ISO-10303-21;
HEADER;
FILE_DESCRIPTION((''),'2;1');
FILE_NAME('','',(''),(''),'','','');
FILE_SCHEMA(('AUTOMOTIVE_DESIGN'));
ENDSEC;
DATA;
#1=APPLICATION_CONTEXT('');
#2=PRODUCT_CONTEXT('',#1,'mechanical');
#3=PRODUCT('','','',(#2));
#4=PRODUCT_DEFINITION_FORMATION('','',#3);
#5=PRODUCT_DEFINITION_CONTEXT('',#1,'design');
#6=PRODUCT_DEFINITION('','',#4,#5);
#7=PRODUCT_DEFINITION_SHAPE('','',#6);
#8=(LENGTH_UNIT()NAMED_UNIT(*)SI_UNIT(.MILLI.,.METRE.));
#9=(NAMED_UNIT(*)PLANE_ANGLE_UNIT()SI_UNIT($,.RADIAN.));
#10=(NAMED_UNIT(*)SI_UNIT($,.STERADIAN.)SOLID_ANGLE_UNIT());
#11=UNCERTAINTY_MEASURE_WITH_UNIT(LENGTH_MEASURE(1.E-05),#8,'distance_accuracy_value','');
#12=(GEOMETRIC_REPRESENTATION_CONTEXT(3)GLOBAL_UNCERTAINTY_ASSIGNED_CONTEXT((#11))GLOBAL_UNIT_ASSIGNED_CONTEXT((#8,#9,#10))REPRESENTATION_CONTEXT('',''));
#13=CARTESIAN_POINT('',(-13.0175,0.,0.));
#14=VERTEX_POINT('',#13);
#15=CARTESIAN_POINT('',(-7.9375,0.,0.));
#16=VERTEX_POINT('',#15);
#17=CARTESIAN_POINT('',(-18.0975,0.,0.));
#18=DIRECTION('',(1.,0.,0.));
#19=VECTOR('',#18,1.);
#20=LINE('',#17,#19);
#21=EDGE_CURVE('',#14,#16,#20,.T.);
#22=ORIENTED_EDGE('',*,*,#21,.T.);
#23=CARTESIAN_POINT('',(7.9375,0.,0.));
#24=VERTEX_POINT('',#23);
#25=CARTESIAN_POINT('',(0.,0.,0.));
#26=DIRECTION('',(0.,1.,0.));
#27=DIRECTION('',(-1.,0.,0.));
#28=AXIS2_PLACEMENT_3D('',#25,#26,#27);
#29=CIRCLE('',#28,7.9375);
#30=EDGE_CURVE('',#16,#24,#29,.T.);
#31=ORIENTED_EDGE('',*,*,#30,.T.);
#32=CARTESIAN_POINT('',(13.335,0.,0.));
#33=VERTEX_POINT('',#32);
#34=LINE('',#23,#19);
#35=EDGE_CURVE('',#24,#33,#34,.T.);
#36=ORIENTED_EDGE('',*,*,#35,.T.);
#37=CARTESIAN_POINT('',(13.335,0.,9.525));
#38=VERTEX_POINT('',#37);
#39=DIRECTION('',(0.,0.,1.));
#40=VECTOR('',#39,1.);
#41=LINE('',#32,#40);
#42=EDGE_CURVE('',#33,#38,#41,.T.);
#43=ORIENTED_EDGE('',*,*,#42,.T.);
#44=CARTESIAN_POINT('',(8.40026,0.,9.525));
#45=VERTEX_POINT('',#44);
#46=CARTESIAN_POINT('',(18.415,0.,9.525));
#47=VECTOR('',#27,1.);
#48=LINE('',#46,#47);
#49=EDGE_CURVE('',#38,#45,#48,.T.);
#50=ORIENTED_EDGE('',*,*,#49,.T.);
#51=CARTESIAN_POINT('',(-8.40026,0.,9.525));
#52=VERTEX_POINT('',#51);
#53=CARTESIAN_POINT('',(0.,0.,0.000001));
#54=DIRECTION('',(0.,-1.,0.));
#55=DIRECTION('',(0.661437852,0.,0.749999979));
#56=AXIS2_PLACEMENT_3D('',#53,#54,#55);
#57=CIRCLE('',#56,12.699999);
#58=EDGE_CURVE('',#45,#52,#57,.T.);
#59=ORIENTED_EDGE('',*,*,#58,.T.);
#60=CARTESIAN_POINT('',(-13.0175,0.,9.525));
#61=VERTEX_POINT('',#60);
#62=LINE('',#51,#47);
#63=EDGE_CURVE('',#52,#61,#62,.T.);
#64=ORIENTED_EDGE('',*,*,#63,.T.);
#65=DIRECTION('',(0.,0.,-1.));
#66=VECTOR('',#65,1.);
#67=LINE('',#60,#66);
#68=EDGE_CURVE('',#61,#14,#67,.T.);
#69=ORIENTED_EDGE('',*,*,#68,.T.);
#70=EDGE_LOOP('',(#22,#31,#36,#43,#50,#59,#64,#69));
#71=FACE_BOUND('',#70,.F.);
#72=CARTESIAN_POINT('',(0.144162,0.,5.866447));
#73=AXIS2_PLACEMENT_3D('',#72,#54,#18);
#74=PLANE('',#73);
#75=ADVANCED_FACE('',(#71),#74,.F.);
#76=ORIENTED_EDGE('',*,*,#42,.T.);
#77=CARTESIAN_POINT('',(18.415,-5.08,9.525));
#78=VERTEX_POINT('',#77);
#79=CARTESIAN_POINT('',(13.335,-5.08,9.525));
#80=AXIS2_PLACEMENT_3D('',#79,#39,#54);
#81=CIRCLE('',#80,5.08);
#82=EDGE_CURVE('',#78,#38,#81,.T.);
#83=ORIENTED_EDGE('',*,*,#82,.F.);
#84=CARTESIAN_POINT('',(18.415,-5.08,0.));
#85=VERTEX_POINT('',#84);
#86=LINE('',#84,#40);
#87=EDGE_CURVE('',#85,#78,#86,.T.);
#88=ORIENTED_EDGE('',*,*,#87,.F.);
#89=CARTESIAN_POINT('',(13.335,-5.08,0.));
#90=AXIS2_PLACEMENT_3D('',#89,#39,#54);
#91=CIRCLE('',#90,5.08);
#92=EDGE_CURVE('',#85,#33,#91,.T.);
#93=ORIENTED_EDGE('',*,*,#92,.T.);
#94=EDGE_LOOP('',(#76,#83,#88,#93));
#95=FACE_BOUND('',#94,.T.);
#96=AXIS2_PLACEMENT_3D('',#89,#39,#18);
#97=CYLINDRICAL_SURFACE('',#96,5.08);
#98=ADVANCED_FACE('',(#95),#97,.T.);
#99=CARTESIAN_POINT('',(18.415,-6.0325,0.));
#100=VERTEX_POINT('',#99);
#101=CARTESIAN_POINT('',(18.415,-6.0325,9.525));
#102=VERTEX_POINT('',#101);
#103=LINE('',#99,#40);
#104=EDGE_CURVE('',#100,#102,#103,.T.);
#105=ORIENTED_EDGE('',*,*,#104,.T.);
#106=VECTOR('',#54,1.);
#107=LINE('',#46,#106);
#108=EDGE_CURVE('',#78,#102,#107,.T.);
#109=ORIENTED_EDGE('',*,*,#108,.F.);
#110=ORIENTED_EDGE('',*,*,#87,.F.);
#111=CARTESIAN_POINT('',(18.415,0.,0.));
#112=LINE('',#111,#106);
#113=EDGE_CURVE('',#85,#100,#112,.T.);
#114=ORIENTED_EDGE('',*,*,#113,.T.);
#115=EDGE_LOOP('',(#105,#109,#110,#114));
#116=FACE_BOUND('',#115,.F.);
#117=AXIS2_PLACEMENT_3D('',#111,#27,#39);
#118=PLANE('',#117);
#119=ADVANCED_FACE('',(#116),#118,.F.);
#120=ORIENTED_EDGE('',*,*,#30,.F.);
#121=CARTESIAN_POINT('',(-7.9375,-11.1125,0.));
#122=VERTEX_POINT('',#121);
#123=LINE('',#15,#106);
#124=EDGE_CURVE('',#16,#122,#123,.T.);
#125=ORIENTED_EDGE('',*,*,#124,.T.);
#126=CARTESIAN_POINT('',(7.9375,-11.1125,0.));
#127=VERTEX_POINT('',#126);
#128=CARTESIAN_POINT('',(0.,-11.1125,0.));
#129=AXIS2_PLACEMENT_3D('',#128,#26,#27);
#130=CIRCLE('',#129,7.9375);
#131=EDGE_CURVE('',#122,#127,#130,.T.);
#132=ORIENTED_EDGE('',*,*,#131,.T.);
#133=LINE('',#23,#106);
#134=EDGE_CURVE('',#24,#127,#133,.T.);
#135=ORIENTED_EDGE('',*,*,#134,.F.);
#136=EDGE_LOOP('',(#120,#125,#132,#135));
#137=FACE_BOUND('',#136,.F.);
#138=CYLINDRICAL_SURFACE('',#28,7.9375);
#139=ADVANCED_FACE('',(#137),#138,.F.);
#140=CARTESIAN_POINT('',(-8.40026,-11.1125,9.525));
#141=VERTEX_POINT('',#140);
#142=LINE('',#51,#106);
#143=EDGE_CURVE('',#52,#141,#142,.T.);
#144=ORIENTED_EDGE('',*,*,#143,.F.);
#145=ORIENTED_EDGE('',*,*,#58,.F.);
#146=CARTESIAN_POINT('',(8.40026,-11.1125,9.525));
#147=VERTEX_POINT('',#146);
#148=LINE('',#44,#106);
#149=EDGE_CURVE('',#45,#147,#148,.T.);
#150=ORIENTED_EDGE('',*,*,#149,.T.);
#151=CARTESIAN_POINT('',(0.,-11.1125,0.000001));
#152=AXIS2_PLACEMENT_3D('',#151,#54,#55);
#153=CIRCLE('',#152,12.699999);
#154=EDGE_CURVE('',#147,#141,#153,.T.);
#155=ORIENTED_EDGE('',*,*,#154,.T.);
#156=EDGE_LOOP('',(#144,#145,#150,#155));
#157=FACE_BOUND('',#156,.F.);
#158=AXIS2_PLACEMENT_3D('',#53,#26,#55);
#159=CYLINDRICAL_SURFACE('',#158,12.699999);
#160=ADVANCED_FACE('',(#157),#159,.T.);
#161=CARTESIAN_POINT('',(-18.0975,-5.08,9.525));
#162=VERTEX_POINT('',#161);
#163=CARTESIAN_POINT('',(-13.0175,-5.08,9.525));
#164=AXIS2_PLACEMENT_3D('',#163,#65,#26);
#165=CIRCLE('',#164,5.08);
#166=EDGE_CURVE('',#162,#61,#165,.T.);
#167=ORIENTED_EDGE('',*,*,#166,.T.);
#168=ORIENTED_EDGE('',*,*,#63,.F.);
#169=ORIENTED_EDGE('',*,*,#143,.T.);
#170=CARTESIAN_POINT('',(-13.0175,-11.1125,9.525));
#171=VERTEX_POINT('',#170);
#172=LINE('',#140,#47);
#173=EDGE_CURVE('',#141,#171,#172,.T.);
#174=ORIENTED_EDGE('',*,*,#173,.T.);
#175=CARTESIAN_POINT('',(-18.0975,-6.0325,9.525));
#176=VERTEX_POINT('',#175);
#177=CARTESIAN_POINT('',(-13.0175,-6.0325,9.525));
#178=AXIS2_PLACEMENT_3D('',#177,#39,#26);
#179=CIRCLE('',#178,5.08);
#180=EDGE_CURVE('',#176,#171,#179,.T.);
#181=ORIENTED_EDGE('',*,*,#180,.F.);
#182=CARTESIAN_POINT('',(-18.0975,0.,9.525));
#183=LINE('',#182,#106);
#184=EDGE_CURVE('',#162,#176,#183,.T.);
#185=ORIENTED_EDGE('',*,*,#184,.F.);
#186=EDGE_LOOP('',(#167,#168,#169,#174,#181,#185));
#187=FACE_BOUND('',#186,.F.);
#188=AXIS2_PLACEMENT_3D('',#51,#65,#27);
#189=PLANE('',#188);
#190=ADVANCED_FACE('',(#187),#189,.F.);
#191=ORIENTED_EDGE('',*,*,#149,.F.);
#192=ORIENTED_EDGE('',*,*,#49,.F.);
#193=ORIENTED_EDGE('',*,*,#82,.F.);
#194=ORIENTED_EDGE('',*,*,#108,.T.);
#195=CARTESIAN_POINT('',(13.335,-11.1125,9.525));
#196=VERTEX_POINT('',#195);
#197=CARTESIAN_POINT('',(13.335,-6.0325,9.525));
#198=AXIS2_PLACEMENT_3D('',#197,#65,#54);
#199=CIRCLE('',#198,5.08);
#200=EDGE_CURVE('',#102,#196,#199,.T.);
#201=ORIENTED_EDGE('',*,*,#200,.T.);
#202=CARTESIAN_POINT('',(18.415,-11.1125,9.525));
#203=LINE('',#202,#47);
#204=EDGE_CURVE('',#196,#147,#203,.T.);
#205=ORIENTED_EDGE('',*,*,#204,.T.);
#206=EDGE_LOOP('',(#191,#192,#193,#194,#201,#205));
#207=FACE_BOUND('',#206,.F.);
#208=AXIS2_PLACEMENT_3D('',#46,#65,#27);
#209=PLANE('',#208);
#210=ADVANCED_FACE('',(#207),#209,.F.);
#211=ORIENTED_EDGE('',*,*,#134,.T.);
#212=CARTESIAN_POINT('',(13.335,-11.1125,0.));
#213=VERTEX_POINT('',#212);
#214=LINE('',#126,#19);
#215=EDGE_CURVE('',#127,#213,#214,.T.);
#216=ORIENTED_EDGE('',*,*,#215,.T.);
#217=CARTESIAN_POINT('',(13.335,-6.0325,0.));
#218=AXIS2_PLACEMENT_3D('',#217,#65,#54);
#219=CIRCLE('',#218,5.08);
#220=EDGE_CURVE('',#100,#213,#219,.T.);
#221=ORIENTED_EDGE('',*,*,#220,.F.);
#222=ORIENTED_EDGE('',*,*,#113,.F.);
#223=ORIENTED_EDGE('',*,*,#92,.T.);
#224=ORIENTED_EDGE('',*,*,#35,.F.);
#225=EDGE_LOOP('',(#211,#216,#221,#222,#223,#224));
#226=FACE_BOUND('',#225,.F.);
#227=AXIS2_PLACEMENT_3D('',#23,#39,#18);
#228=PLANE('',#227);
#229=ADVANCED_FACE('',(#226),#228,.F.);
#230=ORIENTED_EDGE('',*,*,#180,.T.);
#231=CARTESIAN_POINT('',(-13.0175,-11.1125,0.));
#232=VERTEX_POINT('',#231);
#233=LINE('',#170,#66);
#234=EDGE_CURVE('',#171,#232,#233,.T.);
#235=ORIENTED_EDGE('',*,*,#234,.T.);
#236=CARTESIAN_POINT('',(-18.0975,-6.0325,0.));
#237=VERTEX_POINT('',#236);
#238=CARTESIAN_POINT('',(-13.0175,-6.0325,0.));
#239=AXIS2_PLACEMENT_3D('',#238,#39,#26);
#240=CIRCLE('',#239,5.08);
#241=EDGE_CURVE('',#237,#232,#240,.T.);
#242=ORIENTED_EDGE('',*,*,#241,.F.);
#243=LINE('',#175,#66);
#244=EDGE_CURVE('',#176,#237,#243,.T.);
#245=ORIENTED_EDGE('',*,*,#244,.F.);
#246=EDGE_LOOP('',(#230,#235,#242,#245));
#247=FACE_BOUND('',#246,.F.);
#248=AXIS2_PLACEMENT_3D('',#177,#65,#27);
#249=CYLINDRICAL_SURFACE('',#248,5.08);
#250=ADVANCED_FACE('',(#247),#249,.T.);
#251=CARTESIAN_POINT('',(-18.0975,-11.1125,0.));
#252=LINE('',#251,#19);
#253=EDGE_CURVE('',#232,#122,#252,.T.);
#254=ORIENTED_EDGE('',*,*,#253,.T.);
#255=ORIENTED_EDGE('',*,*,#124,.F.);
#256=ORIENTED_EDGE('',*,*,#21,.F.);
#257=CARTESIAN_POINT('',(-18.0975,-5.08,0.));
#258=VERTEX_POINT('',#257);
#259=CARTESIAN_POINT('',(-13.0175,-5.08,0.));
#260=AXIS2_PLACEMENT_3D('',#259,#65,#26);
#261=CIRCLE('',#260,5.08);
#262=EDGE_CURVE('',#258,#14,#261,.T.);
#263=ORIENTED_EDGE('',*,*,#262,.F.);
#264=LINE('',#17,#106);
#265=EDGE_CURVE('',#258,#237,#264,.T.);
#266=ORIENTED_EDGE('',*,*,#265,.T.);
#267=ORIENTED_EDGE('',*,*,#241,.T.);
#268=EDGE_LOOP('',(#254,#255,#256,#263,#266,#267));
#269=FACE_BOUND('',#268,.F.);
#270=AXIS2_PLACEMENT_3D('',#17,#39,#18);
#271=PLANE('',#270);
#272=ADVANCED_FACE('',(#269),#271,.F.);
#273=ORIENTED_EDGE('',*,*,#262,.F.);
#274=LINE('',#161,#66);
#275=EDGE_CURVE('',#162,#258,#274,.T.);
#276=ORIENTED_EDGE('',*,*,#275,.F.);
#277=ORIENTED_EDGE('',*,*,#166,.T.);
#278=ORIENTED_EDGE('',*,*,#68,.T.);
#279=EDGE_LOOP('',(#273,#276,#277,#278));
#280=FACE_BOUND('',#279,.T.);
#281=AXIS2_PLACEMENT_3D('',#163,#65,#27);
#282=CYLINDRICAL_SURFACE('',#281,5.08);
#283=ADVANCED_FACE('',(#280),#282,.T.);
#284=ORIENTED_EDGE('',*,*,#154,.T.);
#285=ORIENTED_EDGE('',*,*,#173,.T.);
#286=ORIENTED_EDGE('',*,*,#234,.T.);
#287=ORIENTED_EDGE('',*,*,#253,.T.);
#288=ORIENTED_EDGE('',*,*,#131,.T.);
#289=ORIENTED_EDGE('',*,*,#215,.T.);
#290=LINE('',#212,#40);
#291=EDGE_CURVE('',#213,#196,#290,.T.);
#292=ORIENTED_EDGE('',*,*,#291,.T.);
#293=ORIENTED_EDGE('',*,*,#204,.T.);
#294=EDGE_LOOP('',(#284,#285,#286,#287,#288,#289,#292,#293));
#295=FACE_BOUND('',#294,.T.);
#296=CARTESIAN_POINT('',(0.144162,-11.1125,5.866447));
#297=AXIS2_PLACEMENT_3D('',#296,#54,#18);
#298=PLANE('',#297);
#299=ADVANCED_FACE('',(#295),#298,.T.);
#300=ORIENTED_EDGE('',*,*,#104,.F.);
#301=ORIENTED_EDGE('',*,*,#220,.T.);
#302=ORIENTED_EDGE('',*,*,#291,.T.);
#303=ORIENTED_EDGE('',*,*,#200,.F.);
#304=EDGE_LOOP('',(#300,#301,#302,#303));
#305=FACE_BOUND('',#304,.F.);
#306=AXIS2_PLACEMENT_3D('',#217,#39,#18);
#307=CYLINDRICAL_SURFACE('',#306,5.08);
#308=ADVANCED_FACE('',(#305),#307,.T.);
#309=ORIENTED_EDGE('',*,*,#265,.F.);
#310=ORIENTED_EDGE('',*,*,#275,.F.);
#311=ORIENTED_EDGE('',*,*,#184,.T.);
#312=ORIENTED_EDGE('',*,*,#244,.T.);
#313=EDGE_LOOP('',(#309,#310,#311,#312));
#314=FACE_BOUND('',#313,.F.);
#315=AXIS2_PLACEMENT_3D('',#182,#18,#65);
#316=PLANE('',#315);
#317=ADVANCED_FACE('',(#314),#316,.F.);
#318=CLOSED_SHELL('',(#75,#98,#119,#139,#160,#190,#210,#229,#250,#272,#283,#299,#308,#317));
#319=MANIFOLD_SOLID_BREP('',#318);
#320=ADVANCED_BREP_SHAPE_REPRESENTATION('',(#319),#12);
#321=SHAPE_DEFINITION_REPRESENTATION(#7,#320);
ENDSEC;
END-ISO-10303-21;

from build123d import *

# Parameters (mm, degrees)
F1_DEPTH = 11.1125
F2_R     = 5.08


with BuildPart() as f1:
    # F0 (on Front) → F1 (new body)
    with BuildSketch(Plane.XZ):
        with BuildLine():
            ThreePointArc((-7.9375, 0), (0, 7.9375), (7.9375, 0))
            Line((7.9375, 0), (18.415, 0))
            Line((18.415, 0), (18.415, 9.525))
            Line((18.415, 9.525), (8.40026, 9.525))
            ThreePointArc((8.40026, 9.525), (0, 12.7), (-8.40026, 9.525))
            Line((-8.40026, 9.525), (-18.0975, 9.525))
            Line((-18.0975, 9.525), (-18.0975, 0))
            Line((-18.0975, 0), (-7.9375, 0))
        make_face()
    extrude(amount=F1_DEPTH)

    # F2
    f2_edges = [f1.edges().sort_by_distance(p)[0] for p in [
        (-18.0975, -11.1125, 4.7625),
        (18.415, -11.1125, 4.7625),
        (18.415, 0, 4.7625),
        (-18.0975, 0, 4.7625),
    ]]
    fillet(f2_edges, radius=F2_R)


solid = f1.part
